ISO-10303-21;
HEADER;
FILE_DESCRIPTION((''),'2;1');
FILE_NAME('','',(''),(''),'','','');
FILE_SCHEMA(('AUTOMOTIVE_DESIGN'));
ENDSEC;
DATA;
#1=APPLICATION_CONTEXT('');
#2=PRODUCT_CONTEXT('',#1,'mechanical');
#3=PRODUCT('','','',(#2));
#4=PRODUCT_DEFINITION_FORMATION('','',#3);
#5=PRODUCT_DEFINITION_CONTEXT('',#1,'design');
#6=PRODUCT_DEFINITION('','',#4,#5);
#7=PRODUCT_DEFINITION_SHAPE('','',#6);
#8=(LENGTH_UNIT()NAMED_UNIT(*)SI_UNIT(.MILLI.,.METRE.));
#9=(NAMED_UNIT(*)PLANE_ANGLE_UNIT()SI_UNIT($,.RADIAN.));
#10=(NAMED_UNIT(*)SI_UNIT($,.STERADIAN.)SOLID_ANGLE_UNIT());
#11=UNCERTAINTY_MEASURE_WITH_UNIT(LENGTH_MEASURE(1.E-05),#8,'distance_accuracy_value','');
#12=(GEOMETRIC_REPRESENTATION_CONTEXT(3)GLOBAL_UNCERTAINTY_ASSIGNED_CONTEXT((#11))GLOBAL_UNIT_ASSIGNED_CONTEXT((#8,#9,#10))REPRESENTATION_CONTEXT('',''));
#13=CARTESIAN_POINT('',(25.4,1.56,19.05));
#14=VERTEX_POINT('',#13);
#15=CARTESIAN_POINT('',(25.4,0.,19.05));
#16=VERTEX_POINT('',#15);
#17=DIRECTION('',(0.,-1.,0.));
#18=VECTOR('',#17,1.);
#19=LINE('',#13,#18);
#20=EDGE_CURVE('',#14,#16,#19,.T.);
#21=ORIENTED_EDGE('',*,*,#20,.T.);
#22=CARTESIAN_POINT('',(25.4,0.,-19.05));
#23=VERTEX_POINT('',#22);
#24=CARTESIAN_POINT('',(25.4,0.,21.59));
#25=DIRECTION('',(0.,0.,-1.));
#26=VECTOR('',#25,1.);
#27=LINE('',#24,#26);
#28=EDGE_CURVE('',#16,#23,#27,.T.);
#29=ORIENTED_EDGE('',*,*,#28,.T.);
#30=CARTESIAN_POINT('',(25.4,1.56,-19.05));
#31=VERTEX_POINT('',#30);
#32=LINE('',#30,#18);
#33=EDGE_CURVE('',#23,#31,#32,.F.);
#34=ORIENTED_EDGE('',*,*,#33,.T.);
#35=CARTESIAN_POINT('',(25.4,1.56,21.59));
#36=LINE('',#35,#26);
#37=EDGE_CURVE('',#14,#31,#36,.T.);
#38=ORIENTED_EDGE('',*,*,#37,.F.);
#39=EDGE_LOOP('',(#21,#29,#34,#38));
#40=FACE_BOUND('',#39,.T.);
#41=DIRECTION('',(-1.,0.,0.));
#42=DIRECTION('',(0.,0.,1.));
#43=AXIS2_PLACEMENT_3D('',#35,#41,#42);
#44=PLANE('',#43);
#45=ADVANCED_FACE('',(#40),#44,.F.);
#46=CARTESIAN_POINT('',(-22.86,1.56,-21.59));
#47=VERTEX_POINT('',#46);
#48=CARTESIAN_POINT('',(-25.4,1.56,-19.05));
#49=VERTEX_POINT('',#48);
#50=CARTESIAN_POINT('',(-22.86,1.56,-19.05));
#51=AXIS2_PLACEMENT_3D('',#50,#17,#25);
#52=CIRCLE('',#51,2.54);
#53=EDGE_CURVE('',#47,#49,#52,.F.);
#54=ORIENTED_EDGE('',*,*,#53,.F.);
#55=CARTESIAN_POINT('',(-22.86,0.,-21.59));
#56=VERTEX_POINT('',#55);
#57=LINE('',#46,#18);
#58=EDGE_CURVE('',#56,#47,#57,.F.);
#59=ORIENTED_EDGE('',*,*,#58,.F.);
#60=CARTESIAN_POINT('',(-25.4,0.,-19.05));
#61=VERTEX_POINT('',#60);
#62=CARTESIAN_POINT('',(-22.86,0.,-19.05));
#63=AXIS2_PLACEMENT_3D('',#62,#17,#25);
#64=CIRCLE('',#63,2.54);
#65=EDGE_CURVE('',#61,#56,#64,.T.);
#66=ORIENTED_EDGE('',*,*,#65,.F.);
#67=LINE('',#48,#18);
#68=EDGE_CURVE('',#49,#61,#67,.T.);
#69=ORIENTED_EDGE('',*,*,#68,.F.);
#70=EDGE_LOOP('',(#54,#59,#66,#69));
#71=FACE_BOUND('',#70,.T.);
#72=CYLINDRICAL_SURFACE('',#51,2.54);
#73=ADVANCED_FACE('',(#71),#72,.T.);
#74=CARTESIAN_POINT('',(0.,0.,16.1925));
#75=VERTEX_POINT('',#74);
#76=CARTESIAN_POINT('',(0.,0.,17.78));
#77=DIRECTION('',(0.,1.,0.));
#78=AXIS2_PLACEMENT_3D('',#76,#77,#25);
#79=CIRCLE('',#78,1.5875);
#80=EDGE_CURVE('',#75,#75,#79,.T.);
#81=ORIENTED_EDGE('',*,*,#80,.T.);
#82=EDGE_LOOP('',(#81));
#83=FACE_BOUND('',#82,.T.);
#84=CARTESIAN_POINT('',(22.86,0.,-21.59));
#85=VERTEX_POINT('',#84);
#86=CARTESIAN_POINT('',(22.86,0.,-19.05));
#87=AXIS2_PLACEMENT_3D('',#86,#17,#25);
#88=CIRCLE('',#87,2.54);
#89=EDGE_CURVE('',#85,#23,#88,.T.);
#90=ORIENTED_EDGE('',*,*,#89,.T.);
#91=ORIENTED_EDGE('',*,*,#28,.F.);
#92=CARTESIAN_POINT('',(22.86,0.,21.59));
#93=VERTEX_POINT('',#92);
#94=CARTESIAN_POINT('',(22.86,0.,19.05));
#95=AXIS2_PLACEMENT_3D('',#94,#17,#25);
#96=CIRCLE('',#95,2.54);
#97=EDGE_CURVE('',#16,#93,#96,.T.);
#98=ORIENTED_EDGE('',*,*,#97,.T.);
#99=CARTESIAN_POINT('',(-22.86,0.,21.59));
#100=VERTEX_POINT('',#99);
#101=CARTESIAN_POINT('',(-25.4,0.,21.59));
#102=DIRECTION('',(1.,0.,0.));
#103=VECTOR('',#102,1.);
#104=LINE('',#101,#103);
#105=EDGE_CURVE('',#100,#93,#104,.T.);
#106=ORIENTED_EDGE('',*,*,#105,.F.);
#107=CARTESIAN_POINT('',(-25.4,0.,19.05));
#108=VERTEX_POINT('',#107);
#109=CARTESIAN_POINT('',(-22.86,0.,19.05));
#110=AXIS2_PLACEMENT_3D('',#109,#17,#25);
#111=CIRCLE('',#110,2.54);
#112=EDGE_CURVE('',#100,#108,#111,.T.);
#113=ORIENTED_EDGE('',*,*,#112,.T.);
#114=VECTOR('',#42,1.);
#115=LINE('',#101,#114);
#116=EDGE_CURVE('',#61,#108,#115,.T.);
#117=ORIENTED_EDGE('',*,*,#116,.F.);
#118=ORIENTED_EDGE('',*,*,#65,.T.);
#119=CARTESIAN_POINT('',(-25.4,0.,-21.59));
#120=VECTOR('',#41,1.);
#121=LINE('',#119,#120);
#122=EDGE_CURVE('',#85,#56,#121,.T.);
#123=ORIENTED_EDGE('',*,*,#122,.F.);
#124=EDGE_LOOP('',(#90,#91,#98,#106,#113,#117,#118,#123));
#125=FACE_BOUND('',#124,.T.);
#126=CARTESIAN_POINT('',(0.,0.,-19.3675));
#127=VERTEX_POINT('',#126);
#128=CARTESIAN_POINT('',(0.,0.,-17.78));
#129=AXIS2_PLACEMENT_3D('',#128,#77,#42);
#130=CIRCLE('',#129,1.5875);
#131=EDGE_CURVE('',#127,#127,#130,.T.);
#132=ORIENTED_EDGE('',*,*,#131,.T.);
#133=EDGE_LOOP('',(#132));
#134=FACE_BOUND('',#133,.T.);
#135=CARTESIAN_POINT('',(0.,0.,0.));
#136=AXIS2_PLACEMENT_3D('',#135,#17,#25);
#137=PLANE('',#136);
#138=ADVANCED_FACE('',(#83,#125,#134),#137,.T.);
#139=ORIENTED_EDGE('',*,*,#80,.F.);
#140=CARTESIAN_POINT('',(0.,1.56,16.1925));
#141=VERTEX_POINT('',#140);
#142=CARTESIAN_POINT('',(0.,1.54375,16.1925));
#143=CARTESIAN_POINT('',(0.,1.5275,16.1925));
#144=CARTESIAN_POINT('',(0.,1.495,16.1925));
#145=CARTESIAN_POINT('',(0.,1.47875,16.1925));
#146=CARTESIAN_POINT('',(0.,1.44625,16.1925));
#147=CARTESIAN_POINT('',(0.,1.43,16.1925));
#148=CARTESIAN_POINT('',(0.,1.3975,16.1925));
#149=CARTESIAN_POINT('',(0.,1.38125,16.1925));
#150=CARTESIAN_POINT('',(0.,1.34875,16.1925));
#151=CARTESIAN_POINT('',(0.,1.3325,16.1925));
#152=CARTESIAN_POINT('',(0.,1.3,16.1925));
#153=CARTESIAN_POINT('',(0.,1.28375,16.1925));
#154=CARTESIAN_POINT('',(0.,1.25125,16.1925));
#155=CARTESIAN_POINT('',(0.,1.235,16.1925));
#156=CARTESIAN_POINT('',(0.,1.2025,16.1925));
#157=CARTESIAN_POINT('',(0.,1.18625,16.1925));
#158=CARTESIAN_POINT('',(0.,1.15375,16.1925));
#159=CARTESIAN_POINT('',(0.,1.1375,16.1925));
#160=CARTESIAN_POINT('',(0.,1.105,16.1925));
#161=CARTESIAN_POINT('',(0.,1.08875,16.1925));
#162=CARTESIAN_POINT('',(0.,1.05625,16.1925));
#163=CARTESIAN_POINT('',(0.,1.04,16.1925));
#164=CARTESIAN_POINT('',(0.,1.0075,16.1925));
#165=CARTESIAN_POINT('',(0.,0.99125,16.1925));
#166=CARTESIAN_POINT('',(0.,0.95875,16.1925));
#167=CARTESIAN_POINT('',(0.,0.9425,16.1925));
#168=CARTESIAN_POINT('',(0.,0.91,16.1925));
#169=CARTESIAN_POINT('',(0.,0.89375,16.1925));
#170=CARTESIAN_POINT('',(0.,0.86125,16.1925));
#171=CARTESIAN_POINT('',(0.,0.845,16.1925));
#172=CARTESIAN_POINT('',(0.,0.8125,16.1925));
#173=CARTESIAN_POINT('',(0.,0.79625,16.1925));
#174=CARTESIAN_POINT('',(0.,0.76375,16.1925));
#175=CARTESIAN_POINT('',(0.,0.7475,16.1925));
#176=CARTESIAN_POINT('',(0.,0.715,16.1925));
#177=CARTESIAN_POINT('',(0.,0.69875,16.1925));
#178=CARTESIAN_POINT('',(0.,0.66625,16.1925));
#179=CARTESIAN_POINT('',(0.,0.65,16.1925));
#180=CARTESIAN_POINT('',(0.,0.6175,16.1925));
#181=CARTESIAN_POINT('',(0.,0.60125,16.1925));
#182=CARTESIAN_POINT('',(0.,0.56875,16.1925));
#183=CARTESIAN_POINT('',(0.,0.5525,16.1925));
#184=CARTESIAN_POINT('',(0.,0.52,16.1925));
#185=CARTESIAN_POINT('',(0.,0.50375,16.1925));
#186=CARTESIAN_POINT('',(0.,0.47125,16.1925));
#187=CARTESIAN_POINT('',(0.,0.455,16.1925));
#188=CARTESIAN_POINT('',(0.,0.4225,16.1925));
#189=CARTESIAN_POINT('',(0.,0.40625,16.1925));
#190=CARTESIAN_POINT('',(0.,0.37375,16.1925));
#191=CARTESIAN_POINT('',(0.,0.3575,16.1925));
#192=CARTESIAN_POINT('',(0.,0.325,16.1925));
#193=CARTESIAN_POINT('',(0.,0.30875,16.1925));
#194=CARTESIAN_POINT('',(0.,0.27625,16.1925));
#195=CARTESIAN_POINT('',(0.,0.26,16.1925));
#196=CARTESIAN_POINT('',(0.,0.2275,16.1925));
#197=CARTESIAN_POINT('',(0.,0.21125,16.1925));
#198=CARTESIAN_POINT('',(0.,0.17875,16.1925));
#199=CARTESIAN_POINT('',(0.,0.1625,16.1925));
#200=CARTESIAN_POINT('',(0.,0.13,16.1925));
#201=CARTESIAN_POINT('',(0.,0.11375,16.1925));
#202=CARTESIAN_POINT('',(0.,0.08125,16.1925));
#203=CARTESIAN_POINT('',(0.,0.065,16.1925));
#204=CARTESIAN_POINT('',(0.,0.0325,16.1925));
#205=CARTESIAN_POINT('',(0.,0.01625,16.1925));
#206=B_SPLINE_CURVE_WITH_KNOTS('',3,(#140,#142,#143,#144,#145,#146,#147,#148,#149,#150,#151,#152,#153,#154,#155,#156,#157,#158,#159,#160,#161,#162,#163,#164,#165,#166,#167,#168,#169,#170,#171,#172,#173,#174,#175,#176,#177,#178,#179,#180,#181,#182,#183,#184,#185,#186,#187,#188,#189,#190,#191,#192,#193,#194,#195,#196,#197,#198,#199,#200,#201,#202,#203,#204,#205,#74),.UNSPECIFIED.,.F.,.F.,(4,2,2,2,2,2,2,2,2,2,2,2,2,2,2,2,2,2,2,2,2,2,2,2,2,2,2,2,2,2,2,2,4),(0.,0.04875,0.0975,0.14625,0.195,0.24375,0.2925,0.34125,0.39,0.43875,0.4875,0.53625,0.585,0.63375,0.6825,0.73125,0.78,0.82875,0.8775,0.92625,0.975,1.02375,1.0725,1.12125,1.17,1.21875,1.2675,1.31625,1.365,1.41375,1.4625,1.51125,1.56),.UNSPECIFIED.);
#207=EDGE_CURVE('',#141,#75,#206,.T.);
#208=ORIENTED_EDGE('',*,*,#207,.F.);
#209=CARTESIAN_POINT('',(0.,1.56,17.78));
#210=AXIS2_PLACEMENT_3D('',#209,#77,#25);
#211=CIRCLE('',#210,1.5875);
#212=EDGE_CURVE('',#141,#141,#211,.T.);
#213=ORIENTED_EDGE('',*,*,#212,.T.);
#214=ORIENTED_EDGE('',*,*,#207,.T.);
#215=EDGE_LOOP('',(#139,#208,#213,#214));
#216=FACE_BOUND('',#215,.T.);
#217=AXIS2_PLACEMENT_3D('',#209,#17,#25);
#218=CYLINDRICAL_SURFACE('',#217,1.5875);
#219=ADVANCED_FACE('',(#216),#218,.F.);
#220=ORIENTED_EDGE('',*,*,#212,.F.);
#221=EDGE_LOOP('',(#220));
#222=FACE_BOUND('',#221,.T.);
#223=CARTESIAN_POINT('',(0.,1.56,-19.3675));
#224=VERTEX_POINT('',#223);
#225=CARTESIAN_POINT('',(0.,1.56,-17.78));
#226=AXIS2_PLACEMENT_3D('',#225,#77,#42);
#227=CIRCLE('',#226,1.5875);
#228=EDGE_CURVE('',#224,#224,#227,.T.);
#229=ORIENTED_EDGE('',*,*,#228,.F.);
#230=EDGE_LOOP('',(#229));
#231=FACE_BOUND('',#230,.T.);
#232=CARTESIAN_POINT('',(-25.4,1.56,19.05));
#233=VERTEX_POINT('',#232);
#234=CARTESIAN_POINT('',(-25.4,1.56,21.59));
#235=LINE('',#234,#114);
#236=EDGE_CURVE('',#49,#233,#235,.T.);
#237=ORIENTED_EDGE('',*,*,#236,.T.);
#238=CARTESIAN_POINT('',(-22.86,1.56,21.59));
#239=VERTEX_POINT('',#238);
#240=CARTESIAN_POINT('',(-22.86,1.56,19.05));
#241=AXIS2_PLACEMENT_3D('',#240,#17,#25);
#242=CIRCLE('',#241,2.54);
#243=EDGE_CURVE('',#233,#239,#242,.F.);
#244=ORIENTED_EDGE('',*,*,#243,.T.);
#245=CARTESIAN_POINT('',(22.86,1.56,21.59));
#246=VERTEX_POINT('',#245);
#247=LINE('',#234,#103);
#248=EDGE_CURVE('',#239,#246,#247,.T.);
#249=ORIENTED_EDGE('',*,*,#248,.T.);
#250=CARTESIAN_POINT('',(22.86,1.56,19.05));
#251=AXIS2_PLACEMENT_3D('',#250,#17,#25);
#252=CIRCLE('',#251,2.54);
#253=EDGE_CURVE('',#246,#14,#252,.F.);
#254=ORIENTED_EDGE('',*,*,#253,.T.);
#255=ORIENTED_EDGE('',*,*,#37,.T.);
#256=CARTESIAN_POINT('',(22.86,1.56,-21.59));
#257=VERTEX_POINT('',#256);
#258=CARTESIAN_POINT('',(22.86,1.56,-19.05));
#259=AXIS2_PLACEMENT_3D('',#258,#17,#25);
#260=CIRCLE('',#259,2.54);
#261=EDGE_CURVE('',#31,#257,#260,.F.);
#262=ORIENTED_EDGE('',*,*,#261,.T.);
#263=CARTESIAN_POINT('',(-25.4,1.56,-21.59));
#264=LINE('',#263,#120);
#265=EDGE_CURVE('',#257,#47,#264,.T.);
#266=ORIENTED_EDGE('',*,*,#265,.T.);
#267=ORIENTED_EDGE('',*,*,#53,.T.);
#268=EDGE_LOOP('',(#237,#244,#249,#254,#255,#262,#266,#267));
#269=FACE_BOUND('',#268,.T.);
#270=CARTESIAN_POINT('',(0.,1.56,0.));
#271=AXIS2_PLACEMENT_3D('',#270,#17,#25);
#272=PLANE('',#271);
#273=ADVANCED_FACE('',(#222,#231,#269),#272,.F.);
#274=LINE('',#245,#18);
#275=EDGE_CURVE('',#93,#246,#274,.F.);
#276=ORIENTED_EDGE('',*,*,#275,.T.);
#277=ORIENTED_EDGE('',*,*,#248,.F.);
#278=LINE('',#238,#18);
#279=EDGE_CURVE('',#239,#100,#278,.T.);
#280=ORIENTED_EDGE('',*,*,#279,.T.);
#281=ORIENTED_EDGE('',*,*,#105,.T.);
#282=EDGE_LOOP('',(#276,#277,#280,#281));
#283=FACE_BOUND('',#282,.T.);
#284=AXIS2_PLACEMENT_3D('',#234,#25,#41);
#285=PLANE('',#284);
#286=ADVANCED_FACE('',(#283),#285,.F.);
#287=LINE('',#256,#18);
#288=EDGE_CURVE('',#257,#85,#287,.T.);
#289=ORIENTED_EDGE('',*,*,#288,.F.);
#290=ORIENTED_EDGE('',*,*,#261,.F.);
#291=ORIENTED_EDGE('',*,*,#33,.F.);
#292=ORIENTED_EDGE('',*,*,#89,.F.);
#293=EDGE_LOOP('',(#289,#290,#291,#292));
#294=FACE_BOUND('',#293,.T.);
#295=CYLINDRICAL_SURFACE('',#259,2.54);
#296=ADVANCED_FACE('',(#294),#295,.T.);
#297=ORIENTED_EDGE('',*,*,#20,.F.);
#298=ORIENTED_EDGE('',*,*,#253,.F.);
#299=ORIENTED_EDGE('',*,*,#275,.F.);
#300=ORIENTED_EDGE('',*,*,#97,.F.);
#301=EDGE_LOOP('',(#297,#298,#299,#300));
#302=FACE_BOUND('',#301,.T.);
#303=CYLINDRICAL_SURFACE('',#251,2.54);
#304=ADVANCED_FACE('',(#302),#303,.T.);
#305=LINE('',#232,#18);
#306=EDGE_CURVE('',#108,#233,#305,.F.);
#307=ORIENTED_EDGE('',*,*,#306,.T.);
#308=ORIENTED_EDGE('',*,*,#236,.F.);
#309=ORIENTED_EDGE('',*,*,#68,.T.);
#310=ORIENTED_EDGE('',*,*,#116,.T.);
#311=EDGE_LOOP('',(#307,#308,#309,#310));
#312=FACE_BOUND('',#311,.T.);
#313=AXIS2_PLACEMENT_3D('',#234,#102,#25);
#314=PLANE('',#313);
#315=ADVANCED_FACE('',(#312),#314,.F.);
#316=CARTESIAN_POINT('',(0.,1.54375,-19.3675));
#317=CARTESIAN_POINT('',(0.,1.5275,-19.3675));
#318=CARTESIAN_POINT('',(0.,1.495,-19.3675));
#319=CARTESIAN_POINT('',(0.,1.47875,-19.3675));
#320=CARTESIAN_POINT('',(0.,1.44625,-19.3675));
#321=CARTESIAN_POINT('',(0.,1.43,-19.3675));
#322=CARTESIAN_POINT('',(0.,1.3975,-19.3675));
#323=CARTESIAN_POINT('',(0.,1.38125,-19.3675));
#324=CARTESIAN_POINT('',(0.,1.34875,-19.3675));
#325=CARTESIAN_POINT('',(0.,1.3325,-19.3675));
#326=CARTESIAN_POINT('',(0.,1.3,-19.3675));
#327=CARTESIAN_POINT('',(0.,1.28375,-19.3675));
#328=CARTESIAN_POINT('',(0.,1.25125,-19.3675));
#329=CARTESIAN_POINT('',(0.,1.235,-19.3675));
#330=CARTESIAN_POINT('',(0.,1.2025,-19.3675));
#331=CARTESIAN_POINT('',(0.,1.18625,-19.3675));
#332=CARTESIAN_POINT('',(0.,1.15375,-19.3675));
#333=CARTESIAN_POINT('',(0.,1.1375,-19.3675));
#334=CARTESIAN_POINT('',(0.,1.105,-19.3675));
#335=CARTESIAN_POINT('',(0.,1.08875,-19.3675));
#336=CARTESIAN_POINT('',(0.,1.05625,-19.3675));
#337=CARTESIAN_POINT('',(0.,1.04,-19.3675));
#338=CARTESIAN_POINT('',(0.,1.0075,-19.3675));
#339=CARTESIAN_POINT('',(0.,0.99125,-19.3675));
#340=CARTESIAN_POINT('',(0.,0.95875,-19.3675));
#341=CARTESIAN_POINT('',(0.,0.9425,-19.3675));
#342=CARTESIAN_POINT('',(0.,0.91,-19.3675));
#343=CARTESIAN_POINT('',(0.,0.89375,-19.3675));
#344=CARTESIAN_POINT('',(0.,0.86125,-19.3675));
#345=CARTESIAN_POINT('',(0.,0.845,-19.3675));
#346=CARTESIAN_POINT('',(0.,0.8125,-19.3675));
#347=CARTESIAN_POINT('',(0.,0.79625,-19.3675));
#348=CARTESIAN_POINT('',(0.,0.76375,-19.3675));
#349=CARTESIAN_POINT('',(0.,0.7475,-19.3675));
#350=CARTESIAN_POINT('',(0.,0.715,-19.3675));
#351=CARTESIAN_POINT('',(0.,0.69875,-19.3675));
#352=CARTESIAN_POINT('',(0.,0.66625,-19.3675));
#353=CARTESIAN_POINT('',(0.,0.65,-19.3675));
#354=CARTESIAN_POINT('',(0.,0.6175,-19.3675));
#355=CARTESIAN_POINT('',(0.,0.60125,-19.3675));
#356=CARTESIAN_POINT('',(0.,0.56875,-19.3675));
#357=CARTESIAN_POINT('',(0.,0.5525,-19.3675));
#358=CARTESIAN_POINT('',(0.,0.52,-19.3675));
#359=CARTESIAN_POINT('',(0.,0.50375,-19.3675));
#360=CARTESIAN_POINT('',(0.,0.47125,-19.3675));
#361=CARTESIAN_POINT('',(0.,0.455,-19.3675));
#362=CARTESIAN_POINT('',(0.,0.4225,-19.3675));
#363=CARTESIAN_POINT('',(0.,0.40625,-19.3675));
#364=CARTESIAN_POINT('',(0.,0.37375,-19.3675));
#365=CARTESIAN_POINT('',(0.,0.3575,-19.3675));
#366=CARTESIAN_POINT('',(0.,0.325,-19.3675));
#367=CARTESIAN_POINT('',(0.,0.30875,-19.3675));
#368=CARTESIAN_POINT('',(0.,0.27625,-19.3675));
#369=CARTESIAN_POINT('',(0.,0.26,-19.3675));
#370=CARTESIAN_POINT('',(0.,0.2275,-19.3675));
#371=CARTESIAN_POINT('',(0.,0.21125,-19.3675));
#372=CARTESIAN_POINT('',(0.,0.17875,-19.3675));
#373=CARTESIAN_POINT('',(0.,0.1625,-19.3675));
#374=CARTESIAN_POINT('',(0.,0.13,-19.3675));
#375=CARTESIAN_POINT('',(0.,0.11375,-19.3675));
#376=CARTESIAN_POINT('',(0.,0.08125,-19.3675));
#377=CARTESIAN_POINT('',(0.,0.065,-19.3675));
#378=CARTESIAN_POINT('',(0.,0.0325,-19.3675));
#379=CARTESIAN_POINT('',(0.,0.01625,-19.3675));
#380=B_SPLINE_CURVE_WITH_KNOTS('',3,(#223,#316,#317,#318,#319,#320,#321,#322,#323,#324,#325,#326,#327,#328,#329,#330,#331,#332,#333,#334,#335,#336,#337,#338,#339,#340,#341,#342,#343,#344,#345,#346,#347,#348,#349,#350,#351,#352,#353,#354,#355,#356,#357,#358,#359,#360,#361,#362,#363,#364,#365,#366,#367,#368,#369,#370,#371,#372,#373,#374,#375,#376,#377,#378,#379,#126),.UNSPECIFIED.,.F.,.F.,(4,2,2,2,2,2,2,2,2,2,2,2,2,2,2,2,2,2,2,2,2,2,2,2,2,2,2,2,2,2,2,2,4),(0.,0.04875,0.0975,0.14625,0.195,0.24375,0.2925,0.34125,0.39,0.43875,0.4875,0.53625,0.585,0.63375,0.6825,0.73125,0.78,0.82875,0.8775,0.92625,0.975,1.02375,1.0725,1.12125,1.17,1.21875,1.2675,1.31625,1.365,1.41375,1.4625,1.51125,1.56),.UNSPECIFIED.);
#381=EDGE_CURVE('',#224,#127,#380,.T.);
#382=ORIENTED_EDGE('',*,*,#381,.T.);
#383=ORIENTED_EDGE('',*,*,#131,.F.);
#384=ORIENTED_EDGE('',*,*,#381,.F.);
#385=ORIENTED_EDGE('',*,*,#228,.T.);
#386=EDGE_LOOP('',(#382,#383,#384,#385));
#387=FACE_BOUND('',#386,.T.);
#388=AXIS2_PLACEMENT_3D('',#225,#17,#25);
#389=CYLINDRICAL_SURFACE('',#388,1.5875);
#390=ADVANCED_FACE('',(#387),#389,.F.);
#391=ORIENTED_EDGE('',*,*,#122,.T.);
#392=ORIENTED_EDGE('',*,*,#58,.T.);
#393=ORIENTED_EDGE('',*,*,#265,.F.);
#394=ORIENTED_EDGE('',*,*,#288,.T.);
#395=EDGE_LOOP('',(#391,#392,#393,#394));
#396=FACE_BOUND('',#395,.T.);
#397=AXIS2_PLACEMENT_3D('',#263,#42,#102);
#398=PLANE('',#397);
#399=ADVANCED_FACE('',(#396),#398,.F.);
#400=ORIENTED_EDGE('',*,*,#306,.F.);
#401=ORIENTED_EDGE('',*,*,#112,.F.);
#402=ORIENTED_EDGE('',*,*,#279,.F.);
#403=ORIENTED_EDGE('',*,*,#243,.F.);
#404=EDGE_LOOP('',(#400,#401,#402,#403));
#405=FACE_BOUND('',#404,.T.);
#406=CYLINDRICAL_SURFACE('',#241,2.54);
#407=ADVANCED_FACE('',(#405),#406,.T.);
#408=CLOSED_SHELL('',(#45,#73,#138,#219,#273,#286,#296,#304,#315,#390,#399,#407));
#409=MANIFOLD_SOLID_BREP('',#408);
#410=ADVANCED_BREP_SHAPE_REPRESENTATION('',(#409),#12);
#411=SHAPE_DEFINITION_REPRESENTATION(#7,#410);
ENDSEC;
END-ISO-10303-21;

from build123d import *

# Parameters (mm, degrees)
SKETCH1_W           = 50.8
SKETCH1_H           = 43.18
SKETCH1_R           = 1.5875
BOSS_EXTRUDE1_DEPTH = 1.56
FILLET1_R           = 2.54


with BuildPart() as part:
    # Sketch1 → Boss-Extrude1 (new body)
    with BuildSketch(Plane(origin=(0, 0, 0), x_dir=(1, 0, 0), z_dir=(0, 1, 0))):
        Rectangle(SKETCH1_W, SKETCH1_H)
        with Locations(Location((0, 17.78, 0), (0, 0, 90))):
            Circle(SKETCH1_R, mode=Mode.SUBTRACT)
        with Locations(Location((0, -17.78, 0), (0, 0, 90))):
            Circle(SKETCH1_R, mode=Mode.SUBTRACT)
    extrude(amount=BOSS_EXTRUDE1_DEPTH)

    # Fillet1
    fillet1_edges = [part.edges().sort_by_distance(p)[0] for p in [
        (25.4, 0.78, 21.59),
        (-25.4, 0.78, 21.59),
        (-25.4, 0.78, -21.59),
        (25.4, 0.78, -21.59),
    ]]
    fillet(fillet1_edges, radius=FILLET1_R)


solid = part.part
